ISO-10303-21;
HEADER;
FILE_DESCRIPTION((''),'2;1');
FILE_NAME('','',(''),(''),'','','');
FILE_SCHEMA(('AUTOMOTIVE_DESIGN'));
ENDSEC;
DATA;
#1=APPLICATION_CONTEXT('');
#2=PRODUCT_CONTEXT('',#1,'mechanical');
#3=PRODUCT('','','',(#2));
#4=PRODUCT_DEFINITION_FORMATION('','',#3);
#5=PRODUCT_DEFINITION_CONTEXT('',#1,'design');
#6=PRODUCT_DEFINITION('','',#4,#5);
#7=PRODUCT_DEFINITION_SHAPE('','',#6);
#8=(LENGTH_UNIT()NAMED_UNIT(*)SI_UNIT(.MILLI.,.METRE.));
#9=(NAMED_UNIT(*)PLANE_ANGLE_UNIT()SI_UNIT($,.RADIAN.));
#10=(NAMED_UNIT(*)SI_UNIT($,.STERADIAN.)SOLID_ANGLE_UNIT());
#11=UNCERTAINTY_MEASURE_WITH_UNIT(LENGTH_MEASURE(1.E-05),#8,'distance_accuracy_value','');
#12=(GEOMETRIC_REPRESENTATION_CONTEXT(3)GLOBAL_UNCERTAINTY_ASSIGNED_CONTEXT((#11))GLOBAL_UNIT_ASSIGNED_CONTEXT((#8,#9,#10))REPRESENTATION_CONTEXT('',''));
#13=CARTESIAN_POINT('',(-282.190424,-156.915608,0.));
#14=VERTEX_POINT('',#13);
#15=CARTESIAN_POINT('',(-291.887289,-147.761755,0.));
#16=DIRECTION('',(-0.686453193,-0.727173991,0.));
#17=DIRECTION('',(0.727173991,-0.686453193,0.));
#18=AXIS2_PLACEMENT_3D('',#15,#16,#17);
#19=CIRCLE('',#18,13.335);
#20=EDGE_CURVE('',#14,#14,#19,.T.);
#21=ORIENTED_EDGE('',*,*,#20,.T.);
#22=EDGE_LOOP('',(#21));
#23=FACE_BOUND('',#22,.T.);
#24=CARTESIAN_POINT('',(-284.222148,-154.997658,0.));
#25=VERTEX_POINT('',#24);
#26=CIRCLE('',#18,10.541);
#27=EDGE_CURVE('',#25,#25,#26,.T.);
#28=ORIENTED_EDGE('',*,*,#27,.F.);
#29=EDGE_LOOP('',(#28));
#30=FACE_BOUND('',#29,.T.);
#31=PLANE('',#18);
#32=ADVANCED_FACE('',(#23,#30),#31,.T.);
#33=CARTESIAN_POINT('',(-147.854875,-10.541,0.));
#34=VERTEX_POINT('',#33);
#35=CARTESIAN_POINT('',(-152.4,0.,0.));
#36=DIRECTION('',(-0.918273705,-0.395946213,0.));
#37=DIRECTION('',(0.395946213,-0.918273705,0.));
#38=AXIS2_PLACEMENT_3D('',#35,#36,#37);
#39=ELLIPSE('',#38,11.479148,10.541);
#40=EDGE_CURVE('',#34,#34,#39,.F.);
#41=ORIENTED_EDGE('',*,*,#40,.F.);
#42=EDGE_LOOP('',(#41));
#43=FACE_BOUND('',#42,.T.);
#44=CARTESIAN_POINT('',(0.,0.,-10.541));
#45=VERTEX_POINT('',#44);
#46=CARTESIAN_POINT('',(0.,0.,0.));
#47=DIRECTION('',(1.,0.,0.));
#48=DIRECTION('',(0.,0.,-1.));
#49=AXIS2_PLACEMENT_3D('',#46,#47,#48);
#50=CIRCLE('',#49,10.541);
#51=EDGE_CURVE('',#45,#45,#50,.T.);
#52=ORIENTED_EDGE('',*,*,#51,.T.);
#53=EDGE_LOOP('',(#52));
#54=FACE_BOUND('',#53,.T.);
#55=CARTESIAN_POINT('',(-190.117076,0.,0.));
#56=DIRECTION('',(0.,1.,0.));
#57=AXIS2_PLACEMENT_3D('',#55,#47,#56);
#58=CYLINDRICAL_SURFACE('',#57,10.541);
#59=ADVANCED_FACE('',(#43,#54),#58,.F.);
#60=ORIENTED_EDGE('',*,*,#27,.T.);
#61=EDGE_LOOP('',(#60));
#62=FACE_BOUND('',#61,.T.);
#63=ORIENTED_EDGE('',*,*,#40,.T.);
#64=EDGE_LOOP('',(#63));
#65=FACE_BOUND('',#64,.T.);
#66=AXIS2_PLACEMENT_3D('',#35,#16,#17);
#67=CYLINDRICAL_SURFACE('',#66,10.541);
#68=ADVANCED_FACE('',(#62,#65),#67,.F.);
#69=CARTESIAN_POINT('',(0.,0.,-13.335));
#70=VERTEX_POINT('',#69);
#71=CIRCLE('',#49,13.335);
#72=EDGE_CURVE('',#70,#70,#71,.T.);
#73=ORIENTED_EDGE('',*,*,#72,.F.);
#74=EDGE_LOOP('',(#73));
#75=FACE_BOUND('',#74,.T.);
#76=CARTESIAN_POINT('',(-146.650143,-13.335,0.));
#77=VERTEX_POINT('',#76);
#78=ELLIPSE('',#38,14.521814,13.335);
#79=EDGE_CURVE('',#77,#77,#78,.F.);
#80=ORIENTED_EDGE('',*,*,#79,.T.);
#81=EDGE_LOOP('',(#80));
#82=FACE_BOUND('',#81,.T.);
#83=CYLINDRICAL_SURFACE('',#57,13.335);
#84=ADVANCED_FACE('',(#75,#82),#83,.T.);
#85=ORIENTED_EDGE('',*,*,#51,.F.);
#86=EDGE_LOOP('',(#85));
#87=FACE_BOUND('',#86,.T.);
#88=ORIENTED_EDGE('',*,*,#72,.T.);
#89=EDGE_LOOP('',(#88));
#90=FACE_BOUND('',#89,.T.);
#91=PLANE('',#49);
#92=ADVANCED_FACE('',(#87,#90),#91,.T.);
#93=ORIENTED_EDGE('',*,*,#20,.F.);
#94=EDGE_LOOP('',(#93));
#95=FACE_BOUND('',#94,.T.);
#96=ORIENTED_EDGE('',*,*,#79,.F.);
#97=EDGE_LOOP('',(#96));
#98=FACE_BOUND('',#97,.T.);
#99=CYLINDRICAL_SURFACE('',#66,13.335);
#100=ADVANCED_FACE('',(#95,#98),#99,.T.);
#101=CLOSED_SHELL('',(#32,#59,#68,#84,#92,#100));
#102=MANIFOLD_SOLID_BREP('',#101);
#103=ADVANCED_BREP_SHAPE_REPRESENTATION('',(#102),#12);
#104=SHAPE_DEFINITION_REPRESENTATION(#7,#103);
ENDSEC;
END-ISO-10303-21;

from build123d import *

# Parameters (mm, degrees)
SKETCH1_R   = 13.335
SKETCH1_R_2 = 10.541


with BuildPart() as part:
    # Sweep1: sweep along a path in Sketch2
    with BuildLine(Plane.XY) as sweep1_path:
        Line((0, 0), (-152.4, 0))
        Line((-152.4, 0), (-291.887288868, -147.761755012))
    # Sketch1 → Sweep1 (sweep)
    with BuildSketch(Plane(origin=(0, 0, 0), x_dir=(0, 0, -1), z_dir=(1, 0, 0))):
        Circle(SKETCH1_R)
        Circle(SKETCH1_R_2, mode=Mode.SUBTRACT)
    sweep(path=sweep1_path.line, transition=Transition.RIGHT)


solid = part.part
